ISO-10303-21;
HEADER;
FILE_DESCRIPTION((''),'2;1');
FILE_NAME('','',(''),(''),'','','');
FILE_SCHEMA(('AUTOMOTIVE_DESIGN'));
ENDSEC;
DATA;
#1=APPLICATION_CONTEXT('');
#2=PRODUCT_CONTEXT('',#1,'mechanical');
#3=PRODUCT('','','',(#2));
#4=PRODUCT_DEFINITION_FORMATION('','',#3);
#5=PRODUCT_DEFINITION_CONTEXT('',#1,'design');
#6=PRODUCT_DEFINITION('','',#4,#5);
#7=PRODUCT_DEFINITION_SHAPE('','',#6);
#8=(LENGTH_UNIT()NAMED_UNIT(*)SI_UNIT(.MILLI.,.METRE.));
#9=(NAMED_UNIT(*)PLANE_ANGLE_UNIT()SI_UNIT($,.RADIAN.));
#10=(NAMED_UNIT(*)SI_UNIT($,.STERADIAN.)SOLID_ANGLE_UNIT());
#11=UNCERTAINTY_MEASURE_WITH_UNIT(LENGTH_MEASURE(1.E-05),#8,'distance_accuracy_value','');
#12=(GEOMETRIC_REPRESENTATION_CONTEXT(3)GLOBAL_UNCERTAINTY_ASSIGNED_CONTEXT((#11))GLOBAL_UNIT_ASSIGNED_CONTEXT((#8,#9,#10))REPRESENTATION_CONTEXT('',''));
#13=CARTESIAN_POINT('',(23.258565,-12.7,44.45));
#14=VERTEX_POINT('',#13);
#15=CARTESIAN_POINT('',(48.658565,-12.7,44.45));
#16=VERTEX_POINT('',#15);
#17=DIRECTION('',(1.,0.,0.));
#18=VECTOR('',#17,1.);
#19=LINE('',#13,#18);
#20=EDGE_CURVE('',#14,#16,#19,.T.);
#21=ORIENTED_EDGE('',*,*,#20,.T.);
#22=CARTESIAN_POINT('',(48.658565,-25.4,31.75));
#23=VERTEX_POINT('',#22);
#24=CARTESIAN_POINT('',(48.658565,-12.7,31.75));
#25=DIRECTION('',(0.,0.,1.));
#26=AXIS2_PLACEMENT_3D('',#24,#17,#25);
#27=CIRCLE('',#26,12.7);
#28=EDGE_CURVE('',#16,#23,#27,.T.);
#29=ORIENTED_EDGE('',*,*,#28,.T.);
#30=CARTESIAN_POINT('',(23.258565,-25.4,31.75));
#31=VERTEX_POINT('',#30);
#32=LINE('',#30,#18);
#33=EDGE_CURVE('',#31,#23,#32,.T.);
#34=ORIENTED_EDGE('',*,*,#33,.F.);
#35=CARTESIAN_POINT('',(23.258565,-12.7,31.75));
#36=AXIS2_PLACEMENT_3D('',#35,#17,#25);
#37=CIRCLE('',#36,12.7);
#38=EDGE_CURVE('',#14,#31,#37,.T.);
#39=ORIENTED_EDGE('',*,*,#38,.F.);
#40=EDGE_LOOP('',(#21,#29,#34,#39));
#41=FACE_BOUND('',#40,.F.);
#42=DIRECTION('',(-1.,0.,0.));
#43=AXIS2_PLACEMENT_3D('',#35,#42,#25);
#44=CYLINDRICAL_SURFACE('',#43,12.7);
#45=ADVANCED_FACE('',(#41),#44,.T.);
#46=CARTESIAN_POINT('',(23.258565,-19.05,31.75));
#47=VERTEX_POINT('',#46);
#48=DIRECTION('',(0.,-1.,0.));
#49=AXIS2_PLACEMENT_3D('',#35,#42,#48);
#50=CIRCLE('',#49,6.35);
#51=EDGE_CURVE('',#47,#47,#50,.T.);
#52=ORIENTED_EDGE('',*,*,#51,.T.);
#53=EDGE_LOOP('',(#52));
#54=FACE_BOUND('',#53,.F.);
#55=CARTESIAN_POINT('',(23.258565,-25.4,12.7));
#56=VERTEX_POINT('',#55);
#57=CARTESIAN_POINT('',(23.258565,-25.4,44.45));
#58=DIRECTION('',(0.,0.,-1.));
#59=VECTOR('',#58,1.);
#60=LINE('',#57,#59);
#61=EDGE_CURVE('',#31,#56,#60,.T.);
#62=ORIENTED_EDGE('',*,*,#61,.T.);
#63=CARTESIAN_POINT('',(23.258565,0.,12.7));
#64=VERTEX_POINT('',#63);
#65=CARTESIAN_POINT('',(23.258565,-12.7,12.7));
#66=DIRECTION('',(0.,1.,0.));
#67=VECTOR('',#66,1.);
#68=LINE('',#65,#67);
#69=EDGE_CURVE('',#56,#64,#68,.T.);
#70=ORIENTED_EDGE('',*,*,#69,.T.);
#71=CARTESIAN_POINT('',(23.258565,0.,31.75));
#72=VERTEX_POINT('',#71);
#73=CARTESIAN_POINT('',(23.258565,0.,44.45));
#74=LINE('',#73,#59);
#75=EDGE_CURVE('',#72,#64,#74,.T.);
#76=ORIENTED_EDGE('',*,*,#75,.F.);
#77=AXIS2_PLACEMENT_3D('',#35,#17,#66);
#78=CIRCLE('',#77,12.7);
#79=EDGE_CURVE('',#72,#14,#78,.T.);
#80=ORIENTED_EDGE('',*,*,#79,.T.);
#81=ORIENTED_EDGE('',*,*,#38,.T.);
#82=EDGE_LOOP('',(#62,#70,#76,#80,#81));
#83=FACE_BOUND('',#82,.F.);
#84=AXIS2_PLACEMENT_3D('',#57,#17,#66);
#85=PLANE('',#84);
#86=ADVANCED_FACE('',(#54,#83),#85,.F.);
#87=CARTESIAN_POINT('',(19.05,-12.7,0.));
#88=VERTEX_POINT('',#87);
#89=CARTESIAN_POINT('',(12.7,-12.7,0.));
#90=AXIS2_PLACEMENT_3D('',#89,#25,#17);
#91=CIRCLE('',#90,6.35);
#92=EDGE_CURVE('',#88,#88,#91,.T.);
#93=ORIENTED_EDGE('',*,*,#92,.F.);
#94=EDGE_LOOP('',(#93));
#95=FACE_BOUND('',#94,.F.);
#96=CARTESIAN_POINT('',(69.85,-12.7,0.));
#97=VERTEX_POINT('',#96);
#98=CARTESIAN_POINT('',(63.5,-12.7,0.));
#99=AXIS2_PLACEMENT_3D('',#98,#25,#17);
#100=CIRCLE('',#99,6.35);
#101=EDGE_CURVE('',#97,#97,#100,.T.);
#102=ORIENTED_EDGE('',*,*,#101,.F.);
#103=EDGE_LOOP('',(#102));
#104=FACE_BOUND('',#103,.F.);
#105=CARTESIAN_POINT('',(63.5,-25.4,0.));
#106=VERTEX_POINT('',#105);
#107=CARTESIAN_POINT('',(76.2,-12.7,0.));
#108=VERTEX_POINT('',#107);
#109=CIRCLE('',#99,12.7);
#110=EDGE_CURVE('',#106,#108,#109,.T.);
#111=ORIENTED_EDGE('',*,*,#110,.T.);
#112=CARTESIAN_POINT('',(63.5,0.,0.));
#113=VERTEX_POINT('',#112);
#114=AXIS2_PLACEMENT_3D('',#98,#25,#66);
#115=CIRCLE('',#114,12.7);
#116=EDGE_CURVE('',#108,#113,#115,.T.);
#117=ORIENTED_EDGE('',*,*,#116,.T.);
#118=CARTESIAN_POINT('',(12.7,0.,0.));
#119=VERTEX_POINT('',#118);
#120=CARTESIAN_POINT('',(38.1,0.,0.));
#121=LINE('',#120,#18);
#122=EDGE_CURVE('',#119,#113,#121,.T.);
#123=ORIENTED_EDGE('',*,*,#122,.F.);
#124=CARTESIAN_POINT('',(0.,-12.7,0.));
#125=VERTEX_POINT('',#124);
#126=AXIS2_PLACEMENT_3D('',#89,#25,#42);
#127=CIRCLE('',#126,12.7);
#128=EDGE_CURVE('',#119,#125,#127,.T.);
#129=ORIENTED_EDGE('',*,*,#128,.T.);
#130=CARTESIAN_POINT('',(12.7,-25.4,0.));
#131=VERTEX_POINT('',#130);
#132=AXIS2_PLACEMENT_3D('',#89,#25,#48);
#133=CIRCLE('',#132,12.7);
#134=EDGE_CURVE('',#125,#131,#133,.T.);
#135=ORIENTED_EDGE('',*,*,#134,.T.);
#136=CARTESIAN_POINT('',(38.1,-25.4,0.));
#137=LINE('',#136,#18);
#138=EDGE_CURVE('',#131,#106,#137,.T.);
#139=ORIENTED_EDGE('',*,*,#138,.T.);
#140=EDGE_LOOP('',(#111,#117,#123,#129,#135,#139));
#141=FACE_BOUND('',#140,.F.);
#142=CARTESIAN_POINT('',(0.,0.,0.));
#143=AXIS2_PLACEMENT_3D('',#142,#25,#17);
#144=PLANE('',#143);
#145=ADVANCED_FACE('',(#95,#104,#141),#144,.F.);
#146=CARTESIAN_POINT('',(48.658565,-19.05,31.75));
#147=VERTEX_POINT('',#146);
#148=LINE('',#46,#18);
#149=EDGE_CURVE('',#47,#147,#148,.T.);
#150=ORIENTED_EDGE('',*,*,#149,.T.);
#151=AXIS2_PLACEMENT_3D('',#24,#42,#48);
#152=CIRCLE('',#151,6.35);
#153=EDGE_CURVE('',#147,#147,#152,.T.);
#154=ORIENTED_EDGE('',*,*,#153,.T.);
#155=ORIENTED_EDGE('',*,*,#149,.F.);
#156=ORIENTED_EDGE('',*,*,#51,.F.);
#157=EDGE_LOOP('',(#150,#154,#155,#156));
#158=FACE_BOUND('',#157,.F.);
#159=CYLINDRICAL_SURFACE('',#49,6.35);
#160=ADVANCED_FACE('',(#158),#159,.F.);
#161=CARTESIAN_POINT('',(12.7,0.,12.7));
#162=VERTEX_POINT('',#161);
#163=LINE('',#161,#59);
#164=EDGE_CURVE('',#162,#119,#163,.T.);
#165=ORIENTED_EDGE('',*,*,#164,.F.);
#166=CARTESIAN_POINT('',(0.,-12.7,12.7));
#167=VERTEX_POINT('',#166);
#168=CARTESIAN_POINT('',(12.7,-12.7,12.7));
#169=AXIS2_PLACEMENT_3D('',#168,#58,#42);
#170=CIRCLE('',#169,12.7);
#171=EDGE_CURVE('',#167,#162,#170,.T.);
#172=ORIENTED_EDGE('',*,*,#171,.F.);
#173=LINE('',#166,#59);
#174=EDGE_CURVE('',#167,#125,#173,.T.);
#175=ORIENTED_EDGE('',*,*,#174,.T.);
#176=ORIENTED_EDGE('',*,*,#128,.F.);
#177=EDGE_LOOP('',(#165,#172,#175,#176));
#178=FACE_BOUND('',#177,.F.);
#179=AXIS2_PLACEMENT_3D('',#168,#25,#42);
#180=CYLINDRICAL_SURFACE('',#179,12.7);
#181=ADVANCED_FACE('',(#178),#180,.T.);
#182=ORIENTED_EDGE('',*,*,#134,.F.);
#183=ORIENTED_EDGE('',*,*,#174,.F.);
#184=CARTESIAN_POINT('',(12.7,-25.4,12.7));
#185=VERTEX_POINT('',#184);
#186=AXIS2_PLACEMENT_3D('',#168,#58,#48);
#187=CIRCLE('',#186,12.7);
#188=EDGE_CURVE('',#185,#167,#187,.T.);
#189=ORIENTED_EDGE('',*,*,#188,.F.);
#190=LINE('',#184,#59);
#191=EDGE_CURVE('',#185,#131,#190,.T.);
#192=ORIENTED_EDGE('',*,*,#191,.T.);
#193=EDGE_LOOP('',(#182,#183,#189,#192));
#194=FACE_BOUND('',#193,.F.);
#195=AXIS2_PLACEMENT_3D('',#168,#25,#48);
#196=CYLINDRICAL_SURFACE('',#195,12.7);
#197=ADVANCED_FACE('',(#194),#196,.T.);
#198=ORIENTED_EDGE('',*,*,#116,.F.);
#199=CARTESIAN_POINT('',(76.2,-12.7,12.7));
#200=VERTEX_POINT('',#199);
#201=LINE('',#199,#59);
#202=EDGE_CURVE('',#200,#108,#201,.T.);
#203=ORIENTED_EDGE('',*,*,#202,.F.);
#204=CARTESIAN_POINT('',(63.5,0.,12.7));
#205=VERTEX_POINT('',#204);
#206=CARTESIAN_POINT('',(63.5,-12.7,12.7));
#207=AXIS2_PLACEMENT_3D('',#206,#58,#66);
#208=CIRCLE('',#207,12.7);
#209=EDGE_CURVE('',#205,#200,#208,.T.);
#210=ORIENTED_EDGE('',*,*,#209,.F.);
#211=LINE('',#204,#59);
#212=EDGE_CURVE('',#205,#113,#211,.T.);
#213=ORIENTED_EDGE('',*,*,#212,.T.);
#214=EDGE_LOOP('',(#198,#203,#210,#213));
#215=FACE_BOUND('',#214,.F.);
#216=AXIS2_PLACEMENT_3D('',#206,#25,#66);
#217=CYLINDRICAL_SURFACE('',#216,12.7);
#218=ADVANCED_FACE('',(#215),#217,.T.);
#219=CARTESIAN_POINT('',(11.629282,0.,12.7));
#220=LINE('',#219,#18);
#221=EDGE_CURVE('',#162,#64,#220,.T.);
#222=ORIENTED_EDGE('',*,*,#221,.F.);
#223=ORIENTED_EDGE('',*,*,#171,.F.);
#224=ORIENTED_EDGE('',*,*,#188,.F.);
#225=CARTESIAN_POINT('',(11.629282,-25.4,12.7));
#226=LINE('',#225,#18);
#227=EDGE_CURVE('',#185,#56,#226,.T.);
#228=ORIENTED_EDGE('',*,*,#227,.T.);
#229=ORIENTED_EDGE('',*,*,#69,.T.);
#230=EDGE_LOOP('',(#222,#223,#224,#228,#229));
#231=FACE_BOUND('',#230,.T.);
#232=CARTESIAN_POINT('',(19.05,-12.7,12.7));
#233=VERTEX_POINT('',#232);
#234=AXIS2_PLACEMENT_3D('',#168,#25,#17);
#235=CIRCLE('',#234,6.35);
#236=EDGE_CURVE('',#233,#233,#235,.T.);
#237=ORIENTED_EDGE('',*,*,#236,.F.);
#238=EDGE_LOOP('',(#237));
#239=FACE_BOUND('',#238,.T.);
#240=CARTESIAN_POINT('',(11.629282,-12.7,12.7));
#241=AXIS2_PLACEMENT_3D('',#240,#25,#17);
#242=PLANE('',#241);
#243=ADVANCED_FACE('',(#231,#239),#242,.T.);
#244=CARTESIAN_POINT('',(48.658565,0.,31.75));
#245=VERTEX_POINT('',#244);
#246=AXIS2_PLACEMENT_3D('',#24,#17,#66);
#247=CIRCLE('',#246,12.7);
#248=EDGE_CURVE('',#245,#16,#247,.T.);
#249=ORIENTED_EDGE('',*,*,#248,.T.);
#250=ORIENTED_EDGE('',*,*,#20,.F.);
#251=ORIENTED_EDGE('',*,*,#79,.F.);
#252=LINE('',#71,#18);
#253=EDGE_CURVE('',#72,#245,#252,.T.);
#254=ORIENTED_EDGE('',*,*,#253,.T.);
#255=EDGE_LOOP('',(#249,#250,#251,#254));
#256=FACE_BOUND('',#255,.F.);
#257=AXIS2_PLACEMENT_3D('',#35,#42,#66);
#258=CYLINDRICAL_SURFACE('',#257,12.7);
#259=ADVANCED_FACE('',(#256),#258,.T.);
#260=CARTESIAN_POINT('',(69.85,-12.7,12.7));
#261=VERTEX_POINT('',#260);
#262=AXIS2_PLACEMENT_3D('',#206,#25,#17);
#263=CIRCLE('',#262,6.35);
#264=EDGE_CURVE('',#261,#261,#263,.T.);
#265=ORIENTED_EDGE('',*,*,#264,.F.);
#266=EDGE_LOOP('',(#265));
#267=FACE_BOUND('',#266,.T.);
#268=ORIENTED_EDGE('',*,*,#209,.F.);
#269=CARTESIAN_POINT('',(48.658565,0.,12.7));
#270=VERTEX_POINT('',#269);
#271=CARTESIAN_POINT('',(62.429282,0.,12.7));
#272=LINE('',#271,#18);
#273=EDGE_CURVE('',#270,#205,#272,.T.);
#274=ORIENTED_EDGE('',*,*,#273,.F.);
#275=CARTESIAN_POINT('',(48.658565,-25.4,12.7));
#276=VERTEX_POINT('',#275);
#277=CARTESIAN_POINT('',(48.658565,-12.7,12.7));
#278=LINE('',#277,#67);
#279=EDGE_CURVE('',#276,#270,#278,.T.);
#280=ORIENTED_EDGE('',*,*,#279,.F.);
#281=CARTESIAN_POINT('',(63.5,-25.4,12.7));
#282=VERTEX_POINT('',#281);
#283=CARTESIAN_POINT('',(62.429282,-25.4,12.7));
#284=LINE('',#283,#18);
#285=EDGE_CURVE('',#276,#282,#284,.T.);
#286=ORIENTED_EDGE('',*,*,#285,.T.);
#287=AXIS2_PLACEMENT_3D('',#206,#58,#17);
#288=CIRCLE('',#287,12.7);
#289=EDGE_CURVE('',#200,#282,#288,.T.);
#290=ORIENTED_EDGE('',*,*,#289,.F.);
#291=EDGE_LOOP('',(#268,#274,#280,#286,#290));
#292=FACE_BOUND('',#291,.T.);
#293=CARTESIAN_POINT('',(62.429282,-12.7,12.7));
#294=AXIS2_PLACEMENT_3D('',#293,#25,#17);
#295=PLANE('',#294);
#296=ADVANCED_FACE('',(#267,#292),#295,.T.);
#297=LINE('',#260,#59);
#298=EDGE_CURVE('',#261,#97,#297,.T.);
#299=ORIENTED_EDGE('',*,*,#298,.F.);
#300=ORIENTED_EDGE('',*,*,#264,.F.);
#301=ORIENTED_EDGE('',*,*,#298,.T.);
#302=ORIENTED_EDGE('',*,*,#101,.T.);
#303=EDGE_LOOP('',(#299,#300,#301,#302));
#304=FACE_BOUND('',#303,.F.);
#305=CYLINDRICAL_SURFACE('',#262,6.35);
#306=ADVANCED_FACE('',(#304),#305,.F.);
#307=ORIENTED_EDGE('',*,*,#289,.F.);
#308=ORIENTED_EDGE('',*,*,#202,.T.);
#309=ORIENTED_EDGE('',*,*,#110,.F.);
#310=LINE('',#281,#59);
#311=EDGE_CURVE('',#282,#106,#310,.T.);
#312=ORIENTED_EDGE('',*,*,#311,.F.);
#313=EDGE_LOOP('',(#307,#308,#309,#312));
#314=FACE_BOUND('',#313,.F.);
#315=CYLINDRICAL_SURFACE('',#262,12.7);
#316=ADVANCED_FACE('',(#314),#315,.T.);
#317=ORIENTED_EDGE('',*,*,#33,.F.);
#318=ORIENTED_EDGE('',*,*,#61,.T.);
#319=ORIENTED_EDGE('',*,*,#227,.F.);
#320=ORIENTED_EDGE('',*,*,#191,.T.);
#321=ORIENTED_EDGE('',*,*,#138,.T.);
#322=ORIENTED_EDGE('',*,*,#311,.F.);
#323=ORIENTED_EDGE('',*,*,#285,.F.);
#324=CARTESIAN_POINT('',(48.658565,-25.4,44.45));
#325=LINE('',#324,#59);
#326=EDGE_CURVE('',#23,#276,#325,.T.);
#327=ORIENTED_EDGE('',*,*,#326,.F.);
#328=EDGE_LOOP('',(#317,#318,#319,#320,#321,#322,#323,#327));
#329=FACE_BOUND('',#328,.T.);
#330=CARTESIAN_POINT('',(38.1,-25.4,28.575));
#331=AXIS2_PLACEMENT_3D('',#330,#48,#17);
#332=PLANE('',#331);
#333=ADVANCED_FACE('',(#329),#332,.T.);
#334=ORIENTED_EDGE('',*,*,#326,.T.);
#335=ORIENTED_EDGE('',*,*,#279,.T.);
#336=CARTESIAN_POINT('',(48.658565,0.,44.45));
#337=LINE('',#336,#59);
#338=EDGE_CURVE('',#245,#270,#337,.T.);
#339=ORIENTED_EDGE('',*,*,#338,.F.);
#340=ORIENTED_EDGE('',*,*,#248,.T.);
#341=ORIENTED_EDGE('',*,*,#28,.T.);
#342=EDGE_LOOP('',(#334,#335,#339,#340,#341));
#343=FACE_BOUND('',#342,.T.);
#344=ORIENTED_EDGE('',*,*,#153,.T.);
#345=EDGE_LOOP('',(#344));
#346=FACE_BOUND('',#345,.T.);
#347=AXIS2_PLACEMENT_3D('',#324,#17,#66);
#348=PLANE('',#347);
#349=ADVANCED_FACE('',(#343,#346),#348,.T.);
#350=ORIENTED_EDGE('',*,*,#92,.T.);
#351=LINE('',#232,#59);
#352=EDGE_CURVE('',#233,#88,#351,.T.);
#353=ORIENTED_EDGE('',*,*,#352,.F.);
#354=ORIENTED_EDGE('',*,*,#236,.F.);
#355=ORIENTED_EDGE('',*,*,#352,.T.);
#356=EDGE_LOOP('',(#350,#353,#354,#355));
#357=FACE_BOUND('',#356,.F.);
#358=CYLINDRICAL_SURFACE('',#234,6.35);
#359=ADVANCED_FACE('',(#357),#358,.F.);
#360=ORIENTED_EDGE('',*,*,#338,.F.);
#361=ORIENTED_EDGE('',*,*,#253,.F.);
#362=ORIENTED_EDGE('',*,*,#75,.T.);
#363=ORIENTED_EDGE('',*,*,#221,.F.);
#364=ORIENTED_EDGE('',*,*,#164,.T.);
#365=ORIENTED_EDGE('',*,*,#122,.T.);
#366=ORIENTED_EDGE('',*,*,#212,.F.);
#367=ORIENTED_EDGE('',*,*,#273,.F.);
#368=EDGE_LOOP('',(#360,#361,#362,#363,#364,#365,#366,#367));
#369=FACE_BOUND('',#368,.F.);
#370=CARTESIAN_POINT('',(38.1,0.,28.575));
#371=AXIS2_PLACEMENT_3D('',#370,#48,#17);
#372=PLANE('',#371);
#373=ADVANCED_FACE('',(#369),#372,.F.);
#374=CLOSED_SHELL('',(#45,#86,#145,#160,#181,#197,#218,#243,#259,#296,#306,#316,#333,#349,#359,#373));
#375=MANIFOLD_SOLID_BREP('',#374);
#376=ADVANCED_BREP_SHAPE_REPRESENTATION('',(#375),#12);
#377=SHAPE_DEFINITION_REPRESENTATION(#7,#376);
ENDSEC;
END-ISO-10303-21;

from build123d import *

# Parameters (mm, degrees)
F0_W      = 76.2
F0_H      = 57.15
F1_DEPTH  = 25.4
F2_W      = 76.2
F2_H      = 12.7
F3_DEPTH  = 25.4
F4_W      = 23.2585646868
F4_H      = 25.4
F4_W_2    = 27.5414353132
F5_DEPTH  = 31.75
F6_R      = 6.35
F7_DEPTH  = 25.4
F8_R      = 6.35
F9_DEPTH  = 25.4
F10_R     = 6.35
F11_DEPTH = 25.4


with BuildPart() as f1:
    # F0 (on Front) → F1 (new body)
    with BuildSketch(Plane.XZ):
        with Locations((38.1, 28.575)):
            Rectangle(F0_W, F0_H)
    extrude(amount=F1_DEPTH)

    # F2 (on face) → F3 (cut)
    with BuildSketch(Plane.XZ.offset(25.4)):
        with Locations((38.1, 50.8)):
            Rectangle(F2_W, F2_H)
    extrude(amount=-F3_DEPTH, mode=Mode.SUBTRACT)

    # F4 (on face) → F5 (cut)
    with BuildSketch(Plane.XY.offset(44.45)):
        with Locations((11.6292823434, -12.7)):
            Rectangle(F4_W, F4_H)
        with Locations((62.4292823434, -12.7)):
            Rectangle(F4_W_2, F4_H)
    extrude(amount=-F5_DEPTH, mode=Mode.SUBTRACT)

    # F6 (on face) → F7 (cut)
    with BuildSketch(Plane.XY.offset(12.7)):
        with BuildLine():
            ThreePointArc((63.5, 0), (72.4802561211, -3.7197438789), (76.2, -12.7))
            Line((76.2, -12.7), (76.2, 0))
            Line((76.2, 0), (63.5, 0))
        make_face()
        with BuildLine():
            ThreePointArc((76.2, -12.7), (72.4802561211, -21.6802561211), (63.5, -25.4))
            Line((63.5, -25.4), (76.2, -25.4))
            Line((76.2, -25.4), (76.2, -12.7))
        make_face()
        with Locations((63.5, -12.7)):
            Circle(F6_R)
    extrude(amount=-F7_DEPTH, mode=Mode.SUBTRACT)

    # F8 (on face) → F9 (cut)
    with BuildSketch(Plane.XY.offset(12.7)):
        with BuildLine():
            ThreePointArc((12.7000000282, -25.4), (3.7197439071, -21.6802561211), (2.82e-08, -12.7))
            Line((0, -12.7), (0, -25.4))
            Line((0, -25.4), (12.7000000282, -25.4))
        make_face()
        with BuildLine():
            ThreePointArc((2.82e-08, -12.7), (3.7197438971, -3.7197438889), (12.7, 0))
            Line((12.7, 0), (0, 0))
            Line((0, 0), (0, -12.7))
        make_face()
        with Locations((12.7000000282, -12.7)):
            Circle(F8_R)
    extrude(amount=-F9_DEPTH, mode=Mode.SUBTRACT)

    # F10 (on face) → F11 (cut)
    with BuildSketch(Plane(origin=(23.2585646868, 0, 0), x_dir=(0, -1, 0), z_dir=(-1, 0, 0))):
        with BuildLine():
            ThreePointArc((0, 31.7500000226), (3.7197438789, 40.7302561436), (12.7, 44.4500000226))
            Line((12.7, 44.45), (0, 44.45))
            Line((0, 44.45), (0, 31.7500000226))
        make_face()
        with BuildLine():
            ThreePointArc((12.7, 44.4500000226), (21.680256129, 40.7302561357), (25.4, 31.75))
            Line((25.4, 31.75), (25.4, 44.45))
            Line((25.4, 44.45), (12.7, 44.45))
        make_face()
        with Locations((12.7, 31.7500000226)):
            Circle(F10_R)
    extrude(amount=-F11_DEPTH, mode=Mode.SUBTRACT)


solid = f1.part
